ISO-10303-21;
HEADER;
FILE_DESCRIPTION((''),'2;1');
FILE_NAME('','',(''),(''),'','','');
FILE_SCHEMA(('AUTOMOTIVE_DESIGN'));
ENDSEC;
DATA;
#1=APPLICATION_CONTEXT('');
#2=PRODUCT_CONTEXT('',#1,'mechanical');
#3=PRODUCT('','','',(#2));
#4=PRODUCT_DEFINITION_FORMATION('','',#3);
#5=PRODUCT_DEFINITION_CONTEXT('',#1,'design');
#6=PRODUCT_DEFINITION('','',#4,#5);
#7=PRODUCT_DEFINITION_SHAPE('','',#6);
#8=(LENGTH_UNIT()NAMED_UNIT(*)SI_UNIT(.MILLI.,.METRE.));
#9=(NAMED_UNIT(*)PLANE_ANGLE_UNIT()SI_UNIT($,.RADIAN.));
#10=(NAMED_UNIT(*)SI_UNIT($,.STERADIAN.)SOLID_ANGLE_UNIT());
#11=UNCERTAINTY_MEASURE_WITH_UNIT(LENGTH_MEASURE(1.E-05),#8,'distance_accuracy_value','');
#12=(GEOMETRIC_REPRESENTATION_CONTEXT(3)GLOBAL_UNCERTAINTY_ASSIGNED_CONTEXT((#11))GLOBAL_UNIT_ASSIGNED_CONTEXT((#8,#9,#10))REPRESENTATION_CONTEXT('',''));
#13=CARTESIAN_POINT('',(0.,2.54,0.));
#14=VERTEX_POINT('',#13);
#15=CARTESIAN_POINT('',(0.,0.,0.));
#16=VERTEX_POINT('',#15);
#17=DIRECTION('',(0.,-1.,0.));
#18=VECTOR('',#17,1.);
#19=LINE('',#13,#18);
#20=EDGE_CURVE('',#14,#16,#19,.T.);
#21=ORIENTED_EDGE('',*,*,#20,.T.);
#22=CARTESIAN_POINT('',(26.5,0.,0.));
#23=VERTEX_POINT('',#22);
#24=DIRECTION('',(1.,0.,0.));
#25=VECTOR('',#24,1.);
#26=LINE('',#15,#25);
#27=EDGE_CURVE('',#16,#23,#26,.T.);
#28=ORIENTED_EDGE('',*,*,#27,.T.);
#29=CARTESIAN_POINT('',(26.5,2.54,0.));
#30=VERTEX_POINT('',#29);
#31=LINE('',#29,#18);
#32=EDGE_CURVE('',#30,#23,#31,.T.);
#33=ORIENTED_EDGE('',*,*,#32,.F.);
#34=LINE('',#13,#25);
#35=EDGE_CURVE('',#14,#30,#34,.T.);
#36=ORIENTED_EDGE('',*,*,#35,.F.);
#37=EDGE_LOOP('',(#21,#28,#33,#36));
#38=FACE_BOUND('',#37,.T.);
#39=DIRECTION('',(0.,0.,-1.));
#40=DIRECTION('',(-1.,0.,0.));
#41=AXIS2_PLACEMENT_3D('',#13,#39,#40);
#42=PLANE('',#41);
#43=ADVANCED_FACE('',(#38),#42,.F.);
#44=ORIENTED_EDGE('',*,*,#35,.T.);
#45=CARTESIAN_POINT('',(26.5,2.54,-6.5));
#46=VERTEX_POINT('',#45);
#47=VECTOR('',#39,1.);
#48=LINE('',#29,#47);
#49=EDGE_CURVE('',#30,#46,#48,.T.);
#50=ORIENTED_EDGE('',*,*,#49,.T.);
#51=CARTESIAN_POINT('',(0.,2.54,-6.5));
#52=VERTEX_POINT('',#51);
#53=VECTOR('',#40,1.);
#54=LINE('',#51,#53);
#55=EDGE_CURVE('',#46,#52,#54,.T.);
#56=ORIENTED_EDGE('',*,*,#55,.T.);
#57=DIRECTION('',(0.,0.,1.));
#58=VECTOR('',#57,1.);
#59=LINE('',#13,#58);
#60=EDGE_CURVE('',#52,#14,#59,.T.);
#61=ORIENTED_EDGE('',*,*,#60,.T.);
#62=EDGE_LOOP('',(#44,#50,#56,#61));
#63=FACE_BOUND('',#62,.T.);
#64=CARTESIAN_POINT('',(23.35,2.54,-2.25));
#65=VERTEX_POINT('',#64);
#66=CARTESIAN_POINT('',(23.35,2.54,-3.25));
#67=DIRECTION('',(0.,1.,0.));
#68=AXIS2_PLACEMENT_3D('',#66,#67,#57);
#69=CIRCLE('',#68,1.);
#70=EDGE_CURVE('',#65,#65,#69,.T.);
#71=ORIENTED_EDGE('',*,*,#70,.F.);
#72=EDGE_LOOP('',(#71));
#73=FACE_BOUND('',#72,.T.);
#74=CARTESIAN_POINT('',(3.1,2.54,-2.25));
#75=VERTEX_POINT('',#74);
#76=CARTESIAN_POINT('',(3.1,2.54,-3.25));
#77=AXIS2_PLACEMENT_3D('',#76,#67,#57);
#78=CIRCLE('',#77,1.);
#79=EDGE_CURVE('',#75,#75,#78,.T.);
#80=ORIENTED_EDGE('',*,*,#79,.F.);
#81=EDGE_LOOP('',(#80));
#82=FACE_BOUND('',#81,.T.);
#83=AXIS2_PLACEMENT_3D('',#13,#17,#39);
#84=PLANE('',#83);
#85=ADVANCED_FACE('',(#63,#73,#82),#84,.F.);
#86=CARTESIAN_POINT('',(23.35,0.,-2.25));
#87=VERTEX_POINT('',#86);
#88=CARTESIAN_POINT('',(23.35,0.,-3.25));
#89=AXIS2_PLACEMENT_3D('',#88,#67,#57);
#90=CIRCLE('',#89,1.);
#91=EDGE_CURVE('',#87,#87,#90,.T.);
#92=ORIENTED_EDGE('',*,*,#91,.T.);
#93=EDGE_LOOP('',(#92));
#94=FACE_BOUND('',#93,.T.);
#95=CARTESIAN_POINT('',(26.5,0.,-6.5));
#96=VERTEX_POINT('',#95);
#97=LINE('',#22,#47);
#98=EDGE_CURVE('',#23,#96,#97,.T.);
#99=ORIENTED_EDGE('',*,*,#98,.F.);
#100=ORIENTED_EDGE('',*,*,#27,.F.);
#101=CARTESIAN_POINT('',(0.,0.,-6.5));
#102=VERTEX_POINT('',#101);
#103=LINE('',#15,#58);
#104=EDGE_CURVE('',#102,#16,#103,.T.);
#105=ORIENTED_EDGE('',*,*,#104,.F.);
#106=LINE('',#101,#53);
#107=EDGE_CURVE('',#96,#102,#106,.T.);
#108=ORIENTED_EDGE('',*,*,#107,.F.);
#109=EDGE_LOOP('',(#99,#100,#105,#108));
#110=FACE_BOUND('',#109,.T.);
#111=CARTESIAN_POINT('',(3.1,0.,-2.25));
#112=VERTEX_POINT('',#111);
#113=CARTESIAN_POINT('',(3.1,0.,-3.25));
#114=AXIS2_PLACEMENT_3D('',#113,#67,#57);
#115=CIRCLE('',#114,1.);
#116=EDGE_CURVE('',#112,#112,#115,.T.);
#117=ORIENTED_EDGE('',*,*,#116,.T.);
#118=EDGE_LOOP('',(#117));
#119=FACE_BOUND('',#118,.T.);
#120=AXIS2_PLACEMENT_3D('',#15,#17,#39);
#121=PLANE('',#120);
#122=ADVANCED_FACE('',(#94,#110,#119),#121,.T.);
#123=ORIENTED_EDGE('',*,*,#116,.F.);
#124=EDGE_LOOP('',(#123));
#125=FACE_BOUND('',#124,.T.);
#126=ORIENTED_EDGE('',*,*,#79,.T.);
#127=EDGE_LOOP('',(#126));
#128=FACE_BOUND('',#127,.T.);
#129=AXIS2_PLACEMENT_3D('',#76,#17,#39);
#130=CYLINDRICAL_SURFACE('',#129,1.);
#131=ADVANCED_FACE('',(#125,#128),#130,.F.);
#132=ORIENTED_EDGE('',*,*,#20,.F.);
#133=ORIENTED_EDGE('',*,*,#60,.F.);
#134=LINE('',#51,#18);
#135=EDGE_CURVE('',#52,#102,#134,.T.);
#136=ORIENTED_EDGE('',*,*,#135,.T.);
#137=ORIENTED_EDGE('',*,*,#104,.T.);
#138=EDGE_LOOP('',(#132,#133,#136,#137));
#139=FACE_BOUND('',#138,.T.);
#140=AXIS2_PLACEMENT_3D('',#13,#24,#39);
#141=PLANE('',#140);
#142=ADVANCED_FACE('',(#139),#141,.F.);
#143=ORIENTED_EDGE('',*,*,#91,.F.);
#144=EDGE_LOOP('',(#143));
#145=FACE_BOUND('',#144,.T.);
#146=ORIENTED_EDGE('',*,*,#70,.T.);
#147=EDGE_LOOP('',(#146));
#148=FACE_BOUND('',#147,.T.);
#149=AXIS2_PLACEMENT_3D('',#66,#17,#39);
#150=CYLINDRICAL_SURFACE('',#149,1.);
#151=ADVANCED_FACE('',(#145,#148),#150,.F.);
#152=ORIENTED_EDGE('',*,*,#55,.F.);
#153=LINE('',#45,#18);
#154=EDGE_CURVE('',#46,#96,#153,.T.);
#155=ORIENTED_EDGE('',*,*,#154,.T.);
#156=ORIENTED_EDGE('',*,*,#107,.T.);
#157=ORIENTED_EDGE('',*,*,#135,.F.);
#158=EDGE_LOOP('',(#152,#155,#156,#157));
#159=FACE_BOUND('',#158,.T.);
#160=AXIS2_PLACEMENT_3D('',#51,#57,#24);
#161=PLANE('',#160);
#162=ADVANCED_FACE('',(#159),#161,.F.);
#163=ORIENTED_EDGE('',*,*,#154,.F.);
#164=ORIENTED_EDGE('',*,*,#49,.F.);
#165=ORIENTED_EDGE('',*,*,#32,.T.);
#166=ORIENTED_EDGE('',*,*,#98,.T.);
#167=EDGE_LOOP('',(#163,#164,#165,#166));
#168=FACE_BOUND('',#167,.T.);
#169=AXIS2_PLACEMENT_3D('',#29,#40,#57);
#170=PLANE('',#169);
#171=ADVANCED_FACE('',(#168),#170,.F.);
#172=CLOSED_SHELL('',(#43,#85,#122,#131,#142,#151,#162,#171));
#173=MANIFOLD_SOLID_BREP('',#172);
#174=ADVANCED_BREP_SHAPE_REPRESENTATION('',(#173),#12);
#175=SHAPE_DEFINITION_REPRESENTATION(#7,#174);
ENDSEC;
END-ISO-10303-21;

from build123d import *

# Parameters (mm, degrees)
SKETCH1_W           = 26.5
SKETCH1_H           = 6.5
SKETCH1_R           = 1
BOSS_EXTRUDE1_DEPTH = 2.54


with BuildPart() as part:
    # Sketch1 → Boss-Extrude1 (new body)
    with BuildSketch(Plane(origin=(0, 0, 0), x_dir=(1, 0, 0), z_dir=(0, 1, 0))):
        with Locations((13.25, 3.25)):
            Rectangle(SKETCH1_W, SKETCH1_H)
        with Locations(Location((3.1, 3.25, 0), (0, 0, 270))):
            Circle(SKETCH1_R, mode=Mode.SUBTRACT)
        with Locations(Location((23.35, 3.25, 0), (0, 0, 270))):
            Circle(SKETCH1_R, mode=Mode.SUBTRACT)
    extrude(amount=BOSS_EXTRUDE1_DEPTH)


solid = part.part
